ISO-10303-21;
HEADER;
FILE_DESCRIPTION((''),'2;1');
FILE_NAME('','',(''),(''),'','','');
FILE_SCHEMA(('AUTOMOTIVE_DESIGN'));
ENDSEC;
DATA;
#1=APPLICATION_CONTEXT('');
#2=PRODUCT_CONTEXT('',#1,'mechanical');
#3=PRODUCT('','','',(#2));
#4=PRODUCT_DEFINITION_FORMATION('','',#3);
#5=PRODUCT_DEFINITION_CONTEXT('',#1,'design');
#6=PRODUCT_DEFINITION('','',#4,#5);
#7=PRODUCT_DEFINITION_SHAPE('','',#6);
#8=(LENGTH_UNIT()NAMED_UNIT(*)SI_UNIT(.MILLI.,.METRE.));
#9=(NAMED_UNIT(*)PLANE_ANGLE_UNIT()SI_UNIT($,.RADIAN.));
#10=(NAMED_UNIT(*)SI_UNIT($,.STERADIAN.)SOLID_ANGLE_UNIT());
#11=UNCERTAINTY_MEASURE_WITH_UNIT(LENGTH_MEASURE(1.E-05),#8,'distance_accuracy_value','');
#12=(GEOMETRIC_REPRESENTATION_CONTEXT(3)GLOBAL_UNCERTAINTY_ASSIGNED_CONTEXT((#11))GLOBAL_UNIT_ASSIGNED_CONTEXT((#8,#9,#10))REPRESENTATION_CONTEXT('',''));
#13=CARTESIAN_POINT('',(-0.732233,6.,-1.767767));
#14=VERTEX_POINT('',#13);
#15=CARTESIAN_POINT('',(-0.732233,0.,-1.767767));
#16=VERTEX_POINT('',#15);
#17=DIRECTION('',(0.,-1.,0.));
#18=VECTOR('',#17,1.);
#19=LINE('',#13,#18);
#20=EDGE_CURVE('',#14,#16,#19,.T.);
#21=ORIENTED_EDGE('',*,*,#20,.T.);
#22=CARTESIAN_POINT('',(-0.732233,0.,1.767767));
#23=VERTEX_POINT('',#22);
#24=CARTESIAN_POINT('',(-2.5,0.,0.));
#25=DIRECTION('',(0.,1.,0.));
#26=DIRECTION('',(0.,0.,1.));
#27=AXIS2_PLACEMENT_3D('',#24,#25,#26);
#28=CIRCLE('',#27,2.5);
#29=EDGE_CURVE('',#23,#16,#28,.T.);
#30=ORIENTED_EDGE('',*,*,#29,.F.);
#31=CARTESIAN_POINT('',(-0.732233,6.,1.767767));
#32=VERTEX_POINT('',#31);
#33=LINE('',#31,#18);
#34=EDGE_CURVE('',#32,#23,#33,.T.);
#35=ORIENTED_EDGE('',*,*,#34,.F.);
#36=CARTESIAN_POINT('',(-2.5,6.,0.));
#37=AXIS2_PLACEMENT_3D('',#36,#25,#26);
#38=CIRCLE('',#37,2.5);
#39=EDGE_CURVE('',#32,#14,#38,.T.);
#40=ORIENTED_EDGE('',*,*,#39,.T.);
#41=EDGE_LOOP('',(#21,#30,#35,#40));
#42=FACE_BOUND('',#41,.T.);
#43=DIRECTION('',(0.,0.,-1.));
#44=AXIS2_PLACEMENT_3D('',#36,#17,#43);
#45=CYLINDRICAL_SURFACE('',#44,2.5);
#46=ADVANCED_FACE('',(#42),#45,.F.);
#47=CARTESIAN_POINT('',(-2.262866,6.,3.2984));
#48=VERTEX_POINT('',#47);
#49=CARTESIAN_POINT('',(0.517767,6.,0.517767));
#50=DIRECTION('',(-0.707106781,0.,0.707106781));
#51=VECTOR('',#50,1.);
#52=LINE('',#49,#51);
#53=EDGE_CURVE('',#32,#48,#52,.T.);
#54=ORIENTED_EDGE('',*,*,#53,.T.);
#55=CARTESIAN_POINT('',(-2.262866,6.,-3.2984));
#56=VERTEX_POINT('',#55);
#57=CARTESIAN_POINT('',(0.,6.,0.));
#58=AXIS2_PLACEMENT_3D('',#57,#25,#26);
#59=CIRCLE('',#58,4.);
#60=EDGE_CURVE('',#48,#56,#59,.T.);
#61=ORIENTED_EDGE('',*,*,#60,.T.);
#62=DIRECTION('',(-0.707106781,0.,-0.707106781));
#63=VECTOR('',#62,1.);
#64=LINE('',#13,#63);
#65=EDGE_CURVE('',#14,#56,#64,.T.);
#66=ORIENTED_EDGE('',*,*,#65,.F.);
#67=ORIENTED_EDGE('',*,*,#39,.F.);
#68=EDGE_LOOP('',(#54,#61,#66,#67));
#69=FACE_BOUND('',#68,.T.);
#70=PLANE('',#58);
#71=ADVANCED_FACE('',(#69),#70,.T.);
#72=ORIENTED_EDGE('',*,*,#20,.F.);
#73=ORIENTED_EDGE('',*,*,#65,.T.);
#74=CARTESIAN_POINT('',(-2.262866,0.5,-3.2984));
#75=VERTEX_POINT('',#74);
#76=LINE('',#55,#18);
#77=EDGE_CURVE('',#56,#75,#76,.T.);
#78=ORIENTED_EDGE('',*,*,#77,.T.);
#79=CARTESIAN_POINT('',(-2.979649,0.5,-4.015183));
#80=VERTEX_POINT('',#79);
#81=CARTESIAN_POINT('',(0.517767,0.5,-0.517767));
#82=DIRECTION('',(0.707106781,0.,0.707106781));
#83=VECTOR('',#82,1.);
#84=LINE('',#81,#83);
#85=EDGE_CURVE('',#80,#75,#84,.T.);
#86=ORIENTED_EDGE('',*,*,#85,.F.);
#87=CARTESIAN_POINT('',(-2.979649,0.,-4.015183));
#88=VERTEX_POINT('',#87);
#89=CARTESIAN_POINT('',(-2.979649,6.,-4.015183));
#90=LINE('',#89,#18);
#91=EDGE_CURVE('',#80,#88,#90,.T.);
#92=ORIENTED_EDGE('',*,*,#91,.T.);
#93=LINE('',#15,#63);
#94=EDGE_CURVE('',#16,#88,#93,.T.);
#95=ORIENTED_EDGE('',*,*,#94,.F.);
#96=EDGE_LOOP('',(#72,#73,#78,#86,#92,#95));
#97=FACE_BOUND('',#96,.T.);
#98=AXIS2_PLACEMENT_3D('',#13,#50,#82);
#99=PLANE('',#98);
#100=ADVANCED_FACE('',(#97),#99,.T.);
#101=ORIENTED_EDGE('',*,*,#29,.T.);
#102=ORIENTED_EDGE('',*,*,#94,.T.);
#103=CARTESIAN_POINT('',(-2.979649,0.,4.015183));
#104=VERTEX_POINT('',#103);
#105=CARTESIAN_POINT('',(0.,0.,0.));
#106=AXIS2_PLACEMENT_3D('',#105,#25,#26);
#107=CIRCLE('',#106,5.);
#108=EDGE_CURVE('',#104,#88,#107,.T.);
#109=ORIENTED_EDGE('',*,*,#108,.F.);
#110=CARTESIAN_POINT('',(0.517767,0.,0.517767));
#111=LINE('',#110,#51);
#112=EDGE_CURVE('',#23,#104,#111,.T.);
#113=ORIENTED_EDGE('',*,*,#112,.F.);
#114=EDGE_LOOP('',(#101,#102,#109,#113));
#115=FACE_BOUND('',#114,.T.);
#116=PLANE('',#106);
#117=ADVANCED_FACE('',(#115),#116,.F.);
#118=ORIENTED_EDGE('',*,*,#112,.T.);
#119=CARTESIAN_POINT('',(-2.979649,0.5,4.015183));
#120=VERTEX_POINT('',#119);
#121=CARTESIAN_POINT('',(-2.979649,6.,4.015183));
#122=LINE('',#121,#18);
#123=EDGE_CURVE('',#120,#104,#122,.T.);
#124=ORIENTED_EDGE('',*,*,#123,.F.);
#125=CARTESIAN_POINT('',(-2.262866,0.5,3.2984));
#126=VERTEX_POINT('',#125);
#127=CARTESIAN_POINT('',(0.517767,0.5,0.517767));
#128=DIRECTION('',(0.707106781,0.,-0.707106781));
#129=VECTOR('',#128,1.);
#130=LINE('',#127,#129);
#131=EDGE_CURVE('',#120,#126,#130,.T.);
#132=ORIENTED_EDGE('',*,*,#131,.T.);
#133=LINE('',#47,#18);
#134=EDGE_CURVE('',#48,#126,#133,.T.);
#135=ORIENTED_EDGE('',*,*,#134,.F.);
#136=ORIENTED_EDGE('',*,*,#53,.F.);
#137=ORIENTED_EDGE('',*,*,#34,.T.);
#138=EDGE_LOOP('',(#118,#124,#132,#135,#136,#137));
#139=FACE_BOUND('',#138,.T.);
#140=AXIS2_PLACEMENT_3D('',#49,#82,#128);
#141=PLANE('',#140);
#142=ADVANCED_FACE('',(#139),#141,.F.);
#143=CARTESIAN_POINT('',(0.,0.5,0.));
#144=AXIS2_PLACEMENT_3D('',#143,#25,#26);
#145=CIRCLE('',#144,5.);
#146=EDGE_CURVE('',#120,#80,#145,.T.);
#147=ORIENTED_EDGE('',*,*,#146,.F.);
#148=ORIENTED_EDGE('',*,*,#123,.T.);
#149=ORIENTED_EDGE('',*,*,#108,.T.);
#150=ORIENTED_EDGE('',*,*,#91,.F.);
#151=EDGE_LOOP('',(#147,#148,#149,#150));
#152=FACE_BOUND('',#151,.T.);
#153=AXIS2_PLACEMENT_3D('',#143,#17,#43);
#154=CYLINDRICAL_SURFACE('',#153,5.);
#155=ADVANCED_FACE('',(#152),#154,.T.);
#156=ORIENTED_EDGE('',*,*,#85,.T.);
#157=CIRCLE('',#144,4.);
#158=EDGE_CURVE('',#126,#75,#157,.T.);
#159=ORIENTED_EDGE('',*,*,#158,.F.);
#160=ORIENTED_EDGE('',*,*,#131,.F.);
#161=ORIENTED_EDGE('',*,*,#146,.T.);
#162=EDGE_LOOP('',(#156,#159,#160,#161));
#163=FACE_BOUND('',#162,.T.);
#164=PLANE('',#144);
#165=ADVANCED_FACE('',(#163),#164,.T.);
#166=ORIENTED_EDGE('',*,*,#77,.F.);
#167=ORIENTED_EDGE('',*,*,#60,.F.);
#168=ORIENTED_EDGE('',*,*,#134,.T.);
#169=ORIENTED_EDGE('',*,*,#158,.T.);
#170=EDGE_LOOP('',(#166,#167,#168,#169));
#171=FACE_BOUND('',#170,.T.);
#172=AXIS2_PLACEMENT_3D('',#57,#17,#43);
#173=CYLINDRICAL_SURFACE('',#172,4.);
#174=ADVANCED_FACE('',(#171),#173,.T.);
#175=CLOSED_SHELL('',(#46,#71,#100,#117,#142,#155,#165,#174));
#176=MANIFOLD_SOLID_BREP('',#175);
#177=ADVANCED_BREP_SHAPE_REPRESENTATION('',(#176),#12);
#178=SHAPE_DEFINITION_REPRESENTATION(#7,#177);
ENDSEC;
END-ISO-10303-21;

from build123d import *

# Parameters (mm, degrees)
SKETCH1_R           = 5
SKETCH1_R_2         = 4
BOSS_EXTRUDE1_DEPTH = 0.5
SKETCH1_3_R         = 4
BOSS_EXTRUDE2_DEPTH = 6
CUT_EXTRUDE2_DEPTH  = 10.273618495


with BuildPart() as part:
    # Sketch1 → Boss-Extrude1 (new body)
    with BuildSketch(Plane(origin=(0, 0, 0), x_dir=(1, 0, 0), z_dir=(0, 1, 0))):
        Circle(SKETCH1_R)
        Circle(SKETCH1_R_2, mode=Mode.SUBTRACT)
    extrude(amount=BOSS_EXTRUDE1_DEPTH)

    # Sketch1<3> → Boss-Extrude2 (add)
    with BuildSketch(Plane(origin=(0, 0, 0), x_dir=(1, 0, 0), z_dir=(0, 1, 0))):
        Circle(SKETCH1_3_R)
    extrude(amount=BOSS_EXTRUDE2_DEPTH)

    # Sketch2 → Cut-Extrude2 (cut, through all)
    with BuildSketch(Plane(origin=(0, 0, 0), x_dir=(1, 0, 0), z_dir=(0, 1, 0))):
        with BuildLine():
            Line((-0.732233047, 1.767766953), (-2.979648862, 4.015182768))
            ThreePointArc((-2.979648862, 4.015182768), (-5, 0), (-2.979648862, -4.015182768))
            Line((-2.979648862, -4.015182768), (-0.732233047, -1.767766953))
            ThreePointArc((-0.732233047, -1.767766953), (0, 0), (-0.732233047, 1.767766953))
        make_face()
    extrude(amount=CUT_EXTRUDE2_DEPTH, mode=Mode.SUBTRACT)


solid = part.part
